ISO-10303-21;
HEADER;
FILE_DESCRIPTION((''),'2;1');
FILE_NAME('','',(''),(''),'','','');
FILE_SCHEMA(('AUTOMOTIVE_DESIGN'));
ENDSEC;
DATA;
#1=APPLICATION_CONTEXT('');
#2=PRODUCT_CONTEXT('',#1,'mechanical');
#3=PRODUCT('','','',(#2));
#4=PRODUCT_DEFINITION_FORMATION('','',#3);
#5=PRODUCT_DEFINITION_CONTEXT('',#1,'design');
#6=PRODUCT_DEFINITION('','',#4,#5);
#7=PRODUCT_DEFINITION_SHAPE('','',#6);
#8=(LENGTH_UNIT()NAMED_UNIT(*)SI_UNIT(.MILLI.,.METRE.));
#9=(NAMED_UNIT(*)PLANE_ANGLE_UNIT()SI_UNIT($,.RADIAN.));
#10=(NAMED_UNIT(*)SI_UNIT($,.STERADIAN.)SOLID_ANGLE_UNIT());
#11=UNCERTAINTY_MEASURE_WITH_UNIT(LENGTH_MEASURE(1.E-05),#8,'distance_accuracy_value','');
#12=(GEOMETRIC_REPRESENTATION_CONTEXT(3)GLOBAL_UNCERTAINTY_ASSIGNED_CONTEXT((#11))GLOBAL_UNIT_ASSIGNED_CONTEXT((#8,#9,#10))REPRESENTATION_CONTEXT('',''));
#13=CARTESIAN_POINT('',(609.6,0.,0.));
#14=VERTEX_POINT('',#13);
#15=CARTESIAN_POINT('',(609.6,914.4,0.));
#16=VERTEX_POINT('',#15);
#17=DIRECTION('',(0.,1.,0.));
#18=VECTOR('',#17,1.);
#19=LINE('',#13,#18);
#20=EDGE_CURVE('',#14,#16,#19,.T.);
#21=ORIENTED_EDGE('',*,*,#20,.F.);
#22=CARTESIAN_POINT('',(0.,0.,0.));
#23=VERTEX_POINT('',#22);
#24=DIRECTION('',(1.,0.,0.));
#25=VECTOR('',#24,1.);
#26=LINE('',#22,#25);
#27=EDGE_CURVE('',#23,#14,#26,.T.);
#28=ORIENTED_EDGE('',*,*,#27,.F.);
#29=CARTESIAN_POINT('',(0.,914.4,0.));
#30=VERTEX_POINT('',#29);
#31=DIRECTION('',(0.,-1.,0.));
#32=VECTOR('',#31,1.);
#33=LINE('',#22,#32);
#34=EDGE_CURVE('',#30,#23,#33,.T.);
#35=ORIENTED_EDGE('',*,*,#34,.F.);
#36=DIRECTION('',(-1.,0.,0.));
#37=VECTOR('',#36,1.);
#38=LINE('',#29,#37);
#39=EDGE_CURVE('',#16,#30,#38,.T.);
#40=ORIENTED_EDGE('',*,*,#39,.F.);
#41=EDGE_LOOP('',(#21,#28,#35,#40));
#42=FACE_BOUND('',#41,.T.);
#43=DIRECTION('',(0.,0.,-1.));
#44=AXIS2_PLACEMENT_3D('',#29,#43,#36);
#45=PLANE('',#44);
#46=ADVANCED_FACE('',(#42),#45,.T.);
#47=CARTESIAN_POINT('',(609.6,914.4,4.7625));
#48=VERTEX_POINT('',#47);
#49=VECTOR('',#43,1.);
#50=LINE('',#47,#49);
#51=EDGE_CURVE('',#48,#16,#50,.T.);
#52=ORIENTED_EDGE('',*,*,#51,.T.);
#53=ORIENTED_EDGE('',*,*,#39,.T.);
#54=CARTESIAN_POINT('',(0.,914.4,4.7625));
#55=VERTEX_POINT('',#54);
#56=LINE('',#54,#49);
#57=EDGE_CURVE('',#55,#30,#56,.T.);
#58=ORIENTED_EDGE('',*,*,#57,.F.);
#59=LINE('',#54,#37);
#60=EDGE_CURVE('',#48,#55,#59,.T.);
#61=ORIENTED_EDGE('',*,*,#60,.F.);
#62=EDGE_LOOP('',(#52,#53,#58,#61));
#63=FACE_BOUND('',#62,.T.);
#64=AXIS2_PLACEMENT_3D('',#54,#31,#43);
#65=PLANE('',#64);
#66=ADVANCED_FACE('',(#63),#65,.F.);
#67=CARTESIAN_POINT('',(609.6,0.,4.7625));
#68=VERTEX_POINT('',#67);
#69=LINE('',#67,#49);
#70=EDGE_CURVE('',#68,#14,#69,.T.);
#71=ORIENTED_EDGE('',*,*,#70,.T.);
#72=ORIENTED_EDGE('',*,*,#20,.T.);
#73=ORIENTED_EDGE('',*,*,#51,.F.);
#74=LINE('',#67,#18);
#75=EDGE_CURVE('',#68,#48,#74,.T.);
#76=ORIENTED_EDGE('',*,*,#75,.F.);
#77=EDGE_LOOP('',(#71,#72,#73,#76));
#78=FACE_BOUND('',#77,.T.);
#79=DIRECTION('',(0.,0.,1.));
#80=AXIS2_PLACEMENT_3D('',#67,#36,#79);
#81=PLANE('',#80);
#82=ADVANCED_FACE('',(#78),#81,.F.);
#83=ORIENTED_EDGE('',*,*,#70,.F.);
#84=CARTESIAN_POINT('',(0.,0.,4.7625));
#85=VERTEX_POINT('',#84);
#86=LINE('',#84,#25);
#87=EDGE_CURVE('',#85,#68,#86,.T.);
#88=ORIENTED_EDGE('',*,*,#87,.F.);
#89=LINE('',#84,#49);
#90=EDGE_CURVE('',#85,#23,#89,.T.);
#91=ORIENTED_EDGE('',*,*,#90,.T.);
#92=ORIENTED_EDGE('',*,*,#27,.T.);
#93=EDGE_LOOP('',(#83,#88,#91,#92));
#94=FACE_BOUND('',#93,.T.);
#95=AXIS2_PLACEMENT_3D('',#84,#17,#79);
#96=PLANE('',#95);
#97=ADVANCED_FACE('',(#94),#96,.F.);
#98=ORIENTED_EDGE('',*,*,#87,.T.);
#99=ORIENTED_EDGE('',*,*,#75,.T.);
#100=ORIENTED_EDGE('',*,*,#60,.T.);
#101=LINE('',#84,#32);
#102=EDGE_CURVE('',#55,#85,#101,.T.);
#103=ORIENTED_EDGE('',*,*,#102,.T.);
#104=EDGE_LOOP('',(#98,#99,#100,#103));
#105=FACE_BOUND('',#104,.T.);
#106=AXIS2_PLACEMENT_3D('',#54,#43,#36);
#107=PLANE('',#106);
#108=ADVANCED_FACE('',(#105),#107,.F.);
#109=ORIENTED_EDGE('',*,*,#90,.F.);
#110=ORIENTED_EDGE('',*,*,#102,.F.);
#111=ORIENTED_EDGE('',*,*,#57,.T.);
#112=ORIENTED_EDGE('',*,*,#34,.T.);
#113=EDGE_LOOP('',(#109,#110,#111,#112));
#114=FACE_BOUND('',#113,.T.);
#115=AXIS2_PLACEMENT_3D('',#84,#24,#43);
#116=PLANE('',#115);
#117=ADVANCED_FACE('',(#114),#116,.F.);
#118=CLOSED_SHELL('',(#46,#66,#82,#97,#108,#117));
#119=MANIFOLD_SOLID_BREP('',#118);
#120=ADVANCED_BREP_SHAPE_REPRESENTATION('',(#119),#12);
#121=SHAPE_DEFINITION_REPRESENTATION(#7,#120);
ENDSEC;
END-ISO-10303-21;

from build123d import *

# Parameters (mm, degrees)
SKETCH1_W      = 609.6
SKETCH1_H      = 914.4
EXTRUDE1_DEPTH = 4.7625


with BuildPart() as part:
    # Sketch1 → Extrude1 (new body)
    with BuildSketch(Plane.XY):
        with Locations((304.8, 457.2)):
            Rectangle(SKETCH1_W, SKETCH1_H)
    extrude(amount=EXTRUDE1_DEPTH)


solid = part.part
